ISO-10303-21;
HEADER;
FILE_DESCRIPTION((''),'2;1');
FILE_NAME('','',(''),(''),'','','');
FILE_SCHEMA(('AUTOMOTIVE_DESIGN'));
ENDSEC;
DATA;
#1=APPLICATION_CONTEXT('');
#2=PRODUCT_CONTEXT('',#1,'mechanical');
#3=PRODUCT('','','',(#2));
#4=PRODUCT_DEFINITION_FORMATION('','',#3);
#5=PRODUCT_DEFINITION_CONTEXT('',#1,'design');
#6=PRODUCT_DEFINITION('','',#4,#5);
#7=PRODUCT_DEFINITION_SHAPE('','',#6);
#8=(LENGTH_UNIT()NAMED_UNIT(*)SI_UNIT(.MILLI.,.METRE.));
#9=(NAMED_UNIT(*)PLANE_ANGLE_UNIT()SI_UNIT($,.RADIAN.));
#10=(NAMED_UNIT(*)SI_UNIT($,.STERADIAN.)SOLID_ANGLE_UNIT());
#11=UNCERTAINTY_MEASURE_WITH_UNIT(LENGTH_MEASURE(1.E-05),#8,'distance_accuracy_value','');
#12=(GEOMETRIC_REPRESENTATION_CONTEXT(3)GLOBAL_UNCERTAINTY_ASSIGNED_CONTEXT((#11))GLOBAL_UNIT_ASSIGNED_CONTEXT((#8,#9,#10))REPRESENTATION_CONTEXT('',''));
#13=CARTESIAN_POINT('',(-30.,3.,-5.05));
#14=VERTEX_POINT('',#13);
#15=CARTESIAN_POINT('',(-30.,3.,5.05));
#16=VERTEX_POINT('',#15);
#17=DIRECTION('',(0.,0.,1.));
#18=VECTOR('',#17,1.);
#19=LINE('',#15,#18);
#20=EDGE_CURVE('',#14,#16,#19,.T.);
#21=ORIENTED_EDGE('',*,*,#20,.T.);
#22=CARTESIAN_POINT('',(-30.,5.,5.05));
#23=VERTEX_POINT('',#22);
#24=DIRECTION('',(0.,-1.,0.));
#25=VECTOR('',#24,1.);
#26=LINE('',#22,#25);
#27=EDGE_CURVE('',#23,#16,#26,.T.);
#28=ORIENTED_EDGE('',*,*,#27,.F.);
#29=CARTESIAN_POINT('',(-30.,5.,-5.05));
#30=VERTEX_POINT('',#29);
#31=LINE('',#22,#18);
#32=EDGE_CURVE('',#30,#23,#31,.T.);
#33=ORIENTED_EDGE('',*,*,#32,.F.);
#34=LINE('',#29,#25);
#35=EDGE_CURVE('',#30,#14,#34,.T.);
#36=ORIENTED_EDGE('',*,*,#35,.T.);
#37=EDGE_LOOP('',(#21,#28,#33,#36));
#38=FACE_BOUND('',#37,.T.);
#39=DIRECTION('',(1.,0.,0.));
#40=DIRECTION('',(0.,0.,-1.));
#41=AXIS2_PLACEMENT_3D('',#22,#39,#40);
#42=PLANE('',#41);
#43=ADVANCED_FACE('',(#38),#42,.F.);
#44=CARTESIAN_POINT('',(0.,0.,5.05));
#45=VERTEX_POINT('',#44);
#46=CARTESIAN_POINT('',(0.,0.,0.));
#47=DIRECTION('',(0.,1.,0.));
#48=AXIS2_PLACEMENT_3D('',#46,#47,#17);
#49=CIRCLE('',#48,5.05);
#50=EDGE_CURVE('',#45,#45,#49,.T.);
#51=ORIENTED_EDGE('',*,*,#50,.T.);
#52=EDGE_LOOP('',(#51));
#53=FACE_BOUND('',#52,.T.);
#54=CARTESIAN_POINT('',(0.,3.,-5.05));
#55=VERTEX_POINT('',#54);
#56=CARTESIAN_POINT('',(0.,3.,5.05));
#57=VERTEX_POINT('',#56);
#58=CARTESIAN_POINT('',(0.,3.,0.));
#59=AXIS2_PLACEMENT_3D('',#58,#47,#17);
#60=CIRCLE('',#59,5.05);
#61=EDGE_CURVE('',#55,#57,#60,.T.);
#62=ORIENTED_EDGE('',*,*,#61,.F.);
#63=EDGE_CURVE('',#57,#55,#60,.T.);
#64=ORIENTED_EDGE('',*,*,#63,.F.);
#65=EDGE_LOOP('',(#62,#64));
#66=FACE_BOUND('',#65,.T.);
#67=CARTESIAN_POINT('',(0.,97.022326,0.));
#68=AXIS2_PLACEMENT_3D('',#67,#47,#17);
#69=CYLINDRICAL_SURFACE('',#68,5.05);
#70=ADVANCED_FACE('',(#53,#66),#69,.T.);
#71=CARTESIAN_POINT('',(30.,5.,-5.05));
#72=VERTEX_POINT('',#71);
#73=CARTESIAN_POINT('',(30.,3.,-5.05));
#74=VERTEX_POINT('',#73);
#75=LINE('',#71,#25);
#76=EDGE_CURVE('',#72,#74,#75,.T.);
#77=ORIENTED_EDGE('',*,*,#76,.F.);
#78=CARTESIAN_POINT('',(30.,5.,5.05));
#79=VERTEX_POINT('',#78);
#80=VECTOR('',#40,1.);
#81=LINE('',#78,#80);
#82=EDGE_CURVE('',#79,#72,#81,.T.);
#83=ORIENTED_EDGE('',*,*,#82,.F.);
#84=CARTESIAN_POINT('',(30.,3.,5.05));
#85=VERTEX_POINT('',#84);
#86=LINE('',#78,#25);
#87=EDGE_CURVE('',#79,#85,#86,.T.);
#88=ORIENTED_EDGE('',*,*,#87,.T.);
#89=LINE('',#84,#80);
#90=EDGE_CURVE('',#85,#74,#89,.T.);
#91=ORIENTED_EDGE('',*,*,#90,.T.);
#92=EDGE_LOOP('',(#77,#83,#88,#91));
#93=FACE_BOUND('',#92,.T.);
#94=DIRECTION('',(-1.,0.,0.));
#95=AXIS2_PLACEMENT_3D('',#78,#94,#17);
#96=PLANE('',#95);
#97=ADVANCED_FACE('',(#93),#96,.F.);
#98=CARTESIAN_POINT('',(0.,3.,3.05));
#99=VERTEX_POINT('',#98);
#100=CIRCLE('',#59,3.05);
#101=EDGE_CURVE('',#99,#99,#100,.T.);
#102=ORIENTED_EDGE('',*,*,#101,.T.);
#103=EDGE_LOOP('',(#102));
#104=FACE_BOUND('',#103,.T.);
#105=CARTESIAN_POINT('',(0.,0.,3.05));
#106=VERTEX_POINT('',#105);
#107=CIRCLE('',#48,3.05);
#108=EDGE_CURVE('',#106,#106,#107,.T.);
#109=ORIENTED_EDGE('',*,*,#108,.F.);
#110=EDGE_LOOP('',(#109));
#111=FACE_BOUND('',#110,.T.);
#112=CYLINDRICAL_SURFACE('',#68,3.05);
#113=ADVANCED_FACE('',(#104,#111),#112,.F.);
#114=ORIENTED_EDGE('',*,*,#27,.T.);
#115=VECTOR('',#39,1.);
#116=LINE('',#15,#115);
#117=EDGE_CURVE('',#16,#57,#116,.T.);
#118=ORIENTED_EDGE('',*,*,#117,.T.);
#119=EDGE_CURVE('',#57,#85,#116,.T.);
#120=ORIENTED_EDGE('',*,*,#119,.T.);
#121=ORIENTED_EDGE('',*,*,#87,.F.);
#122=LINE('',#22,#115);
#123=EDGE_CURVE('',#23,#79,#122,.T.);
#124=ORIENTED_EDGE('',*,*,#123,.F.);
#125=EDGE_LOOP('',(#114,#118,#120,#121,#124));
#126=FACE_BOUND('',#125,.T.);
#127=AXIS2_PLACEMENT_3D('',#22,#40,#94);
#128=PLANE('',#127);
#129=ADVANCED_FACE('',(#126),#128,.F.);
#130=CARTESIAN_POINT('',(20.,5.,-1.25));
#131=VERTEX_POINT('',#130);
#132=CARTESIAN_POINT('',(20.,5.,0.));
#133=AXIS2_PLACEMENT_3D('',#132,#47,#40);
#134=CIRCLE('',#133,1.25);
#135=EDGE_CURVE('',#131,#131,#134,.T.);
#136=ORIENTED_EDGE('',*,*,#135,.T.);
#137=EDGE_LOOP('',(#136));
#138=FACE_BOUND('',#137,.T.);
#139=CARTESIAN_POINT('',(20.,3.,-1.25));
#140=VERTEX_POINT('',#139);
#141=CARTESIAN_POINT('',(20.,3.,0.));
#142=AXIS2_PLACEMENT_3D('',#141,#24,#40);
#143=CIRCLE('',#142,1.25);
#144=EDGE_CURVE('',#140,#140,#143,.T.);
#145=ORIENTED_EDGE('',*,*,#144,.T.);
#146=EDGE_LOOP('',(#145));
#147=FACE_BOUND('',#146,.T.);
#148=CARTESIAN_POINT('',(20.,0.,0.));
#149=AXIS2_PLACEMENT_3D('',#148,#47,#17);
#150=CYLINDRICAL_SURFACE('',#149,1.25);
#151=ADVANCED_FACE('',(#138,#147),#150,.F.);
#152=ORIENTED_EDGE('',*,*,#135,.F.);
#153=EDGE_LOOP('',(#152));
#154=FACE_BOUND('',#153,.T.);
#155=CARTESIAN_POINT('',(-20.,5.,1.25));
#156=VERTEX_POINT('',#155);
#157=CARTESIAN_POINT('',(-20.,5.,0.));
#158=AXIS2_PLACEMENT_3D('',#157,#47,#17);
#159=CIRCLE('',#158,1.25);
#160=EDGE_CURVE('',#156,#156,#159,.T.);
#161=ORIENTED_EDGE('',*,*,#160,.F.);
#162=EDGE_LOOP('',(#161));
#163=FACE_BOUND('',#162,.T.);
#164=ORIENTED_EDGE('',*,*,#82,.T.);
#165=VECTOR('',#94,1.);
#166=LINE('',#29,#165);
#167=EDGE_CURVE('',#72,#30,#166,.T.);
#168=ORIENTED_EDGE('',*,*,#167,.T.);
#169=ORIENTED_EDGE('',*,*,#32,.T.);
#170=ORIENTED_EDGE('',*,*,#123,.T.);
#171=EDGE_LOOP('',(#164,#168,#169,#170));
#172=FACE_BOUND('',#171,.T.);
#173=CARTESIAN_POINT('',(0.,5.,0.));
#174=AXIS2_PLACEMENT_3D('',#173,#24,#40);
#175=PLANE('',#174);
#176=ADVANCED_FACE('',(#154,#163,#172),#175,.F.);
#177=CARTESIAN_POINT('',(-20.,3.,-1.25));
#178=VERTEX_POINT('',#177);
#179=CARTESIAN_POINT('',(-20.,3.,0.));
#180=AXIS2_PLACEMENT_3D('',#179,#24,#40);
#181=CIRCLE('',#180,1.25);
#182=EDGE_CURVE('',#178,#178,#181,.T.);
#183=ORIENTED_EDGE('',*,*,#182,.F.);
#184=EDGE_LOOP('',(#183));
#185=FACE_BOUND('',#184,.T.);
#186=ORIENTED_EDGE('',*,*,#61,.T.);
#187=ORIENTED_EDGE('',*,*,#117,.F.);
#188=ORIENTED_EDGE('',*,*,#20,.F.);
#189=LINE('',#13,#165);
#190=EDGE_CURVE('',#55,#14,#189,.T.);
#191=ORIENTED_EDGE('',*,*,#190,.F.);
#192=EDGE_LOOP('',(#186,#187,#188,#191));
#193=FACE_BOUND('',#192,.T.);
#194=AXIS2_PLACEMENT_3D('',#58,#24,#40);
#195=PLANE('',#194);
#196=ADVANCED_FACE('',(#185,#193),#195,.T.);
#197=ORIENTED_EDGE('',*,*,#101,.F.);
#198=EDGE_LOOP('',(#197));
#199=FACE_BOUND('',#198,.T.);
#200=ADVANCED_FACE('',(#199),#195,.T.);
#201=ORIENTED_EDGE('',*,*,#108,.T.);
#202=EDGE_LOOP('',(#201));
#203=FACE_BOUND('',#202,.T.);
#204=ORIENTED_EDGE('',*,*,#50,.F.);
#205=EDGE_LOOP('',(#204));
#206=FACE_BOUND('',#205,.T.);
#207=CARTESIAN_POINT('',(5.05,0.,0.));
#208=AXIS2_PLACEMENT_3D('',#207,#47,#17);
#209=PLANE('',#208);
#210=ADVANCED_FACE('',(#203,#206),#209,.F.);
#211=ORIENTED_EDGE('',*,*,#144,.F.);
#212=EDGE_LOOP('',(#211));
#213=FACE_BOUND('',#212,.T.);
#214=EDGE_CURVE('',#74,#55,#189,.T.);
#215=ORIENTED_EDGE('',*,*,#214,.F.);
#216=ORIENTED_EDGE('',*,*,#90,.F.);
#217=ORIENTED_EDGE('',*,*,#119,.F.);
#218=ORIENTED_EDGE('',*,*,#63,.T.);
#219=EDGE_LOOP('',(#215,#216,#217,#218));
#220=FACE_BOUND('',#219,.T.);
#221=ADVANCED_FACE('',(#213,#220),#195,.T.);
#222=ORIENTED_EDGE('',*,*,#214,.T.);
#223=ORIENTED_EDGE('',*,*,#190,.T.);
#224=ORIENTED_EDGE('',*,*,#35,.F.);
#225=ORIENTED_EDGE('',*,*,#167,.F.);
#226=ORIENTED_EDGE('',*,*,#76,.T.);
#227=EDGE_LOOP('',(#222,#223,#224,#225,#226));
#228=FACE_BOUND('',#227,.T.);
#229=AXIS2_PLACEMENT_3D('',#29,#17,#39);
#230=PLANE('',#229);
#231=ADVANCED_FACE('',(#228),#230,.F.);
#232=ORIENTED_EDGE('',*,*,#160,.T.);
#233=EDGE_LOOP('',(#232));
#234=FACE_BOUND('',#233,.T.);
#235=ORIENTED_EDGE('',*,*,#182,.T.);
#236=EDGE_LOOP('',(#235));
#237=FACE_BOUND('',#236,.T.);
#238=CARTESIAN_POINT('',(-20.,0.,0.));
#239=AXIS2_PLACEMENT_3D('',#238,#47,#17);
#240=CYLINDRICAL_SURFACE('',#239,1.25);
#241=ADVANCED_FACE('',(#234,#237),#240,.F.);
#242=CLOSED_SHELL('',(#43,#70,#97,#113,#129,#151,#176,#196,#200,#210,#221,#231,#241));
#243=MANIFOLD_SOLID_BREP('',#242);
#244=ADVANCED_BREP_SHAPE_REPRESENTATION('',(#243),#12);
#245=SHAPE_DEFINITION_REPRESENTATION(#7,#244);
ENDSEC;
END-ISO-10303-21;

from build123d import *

# Parameters (mm, degrees)
SKETCH1_W           = 2
SKETCH1_H           = 3
SKETCH2_W           = 60
SKETCH2_H           = 10.1
BOSS_EXTRUDE1_DEPTH = 2
SKETCH3_R           = 1.25
CUT_EXTRUDE1_DEPTH  = 5


with BuildPart() as part:
    # Sketch1 → Revolve1 (revolve)
    with BuildSketch(Plane.XY, mode=Mode.PRIVATE) as revolve1_sk:
        with Locations((4.05, 1.5)):
            Rectangle(SKETCH1_W, SKETCH1_H)
    revolve(revolve1_sk.sketch.rotate(Axis((0, 97.022326023, 0), (0, -1, 0)), 90), axis=Axis((0, 97.022326023, 0), (0, -1, 0)))

    # Sketch2 → Boss-Extrude1 (add)
    with BuildSketch(Plane(origin=(0, 3, 0), x_dir=(1, 0, 0), z_dir=(0, 1, 0))):
        Rectangle(SKETCH2_W, SKETCH2_H)
    extrude(amount=BOSS_EXTRUDE1_DEPTH)

    # Sketch3 → Cut-Extrude1 (cut)
    with BuildSketch(Plane(origin=(0, 5, 0), x_dir=(1, 0, 0), z_dir=(0, 1, 0))):
        with Locations(Location((-20, 0, 0), (0, 0, 270))):
            Circle(SKETCH3_R)
        with Locations(Location((20, 0, 0), (0, 0, 90))):
            Circle(SKETCH3_R)
    extrude(amount=-CUT_EXTRUDE1_DEPTH, mode=Mode.SUBTRACT)


solid = part.part
